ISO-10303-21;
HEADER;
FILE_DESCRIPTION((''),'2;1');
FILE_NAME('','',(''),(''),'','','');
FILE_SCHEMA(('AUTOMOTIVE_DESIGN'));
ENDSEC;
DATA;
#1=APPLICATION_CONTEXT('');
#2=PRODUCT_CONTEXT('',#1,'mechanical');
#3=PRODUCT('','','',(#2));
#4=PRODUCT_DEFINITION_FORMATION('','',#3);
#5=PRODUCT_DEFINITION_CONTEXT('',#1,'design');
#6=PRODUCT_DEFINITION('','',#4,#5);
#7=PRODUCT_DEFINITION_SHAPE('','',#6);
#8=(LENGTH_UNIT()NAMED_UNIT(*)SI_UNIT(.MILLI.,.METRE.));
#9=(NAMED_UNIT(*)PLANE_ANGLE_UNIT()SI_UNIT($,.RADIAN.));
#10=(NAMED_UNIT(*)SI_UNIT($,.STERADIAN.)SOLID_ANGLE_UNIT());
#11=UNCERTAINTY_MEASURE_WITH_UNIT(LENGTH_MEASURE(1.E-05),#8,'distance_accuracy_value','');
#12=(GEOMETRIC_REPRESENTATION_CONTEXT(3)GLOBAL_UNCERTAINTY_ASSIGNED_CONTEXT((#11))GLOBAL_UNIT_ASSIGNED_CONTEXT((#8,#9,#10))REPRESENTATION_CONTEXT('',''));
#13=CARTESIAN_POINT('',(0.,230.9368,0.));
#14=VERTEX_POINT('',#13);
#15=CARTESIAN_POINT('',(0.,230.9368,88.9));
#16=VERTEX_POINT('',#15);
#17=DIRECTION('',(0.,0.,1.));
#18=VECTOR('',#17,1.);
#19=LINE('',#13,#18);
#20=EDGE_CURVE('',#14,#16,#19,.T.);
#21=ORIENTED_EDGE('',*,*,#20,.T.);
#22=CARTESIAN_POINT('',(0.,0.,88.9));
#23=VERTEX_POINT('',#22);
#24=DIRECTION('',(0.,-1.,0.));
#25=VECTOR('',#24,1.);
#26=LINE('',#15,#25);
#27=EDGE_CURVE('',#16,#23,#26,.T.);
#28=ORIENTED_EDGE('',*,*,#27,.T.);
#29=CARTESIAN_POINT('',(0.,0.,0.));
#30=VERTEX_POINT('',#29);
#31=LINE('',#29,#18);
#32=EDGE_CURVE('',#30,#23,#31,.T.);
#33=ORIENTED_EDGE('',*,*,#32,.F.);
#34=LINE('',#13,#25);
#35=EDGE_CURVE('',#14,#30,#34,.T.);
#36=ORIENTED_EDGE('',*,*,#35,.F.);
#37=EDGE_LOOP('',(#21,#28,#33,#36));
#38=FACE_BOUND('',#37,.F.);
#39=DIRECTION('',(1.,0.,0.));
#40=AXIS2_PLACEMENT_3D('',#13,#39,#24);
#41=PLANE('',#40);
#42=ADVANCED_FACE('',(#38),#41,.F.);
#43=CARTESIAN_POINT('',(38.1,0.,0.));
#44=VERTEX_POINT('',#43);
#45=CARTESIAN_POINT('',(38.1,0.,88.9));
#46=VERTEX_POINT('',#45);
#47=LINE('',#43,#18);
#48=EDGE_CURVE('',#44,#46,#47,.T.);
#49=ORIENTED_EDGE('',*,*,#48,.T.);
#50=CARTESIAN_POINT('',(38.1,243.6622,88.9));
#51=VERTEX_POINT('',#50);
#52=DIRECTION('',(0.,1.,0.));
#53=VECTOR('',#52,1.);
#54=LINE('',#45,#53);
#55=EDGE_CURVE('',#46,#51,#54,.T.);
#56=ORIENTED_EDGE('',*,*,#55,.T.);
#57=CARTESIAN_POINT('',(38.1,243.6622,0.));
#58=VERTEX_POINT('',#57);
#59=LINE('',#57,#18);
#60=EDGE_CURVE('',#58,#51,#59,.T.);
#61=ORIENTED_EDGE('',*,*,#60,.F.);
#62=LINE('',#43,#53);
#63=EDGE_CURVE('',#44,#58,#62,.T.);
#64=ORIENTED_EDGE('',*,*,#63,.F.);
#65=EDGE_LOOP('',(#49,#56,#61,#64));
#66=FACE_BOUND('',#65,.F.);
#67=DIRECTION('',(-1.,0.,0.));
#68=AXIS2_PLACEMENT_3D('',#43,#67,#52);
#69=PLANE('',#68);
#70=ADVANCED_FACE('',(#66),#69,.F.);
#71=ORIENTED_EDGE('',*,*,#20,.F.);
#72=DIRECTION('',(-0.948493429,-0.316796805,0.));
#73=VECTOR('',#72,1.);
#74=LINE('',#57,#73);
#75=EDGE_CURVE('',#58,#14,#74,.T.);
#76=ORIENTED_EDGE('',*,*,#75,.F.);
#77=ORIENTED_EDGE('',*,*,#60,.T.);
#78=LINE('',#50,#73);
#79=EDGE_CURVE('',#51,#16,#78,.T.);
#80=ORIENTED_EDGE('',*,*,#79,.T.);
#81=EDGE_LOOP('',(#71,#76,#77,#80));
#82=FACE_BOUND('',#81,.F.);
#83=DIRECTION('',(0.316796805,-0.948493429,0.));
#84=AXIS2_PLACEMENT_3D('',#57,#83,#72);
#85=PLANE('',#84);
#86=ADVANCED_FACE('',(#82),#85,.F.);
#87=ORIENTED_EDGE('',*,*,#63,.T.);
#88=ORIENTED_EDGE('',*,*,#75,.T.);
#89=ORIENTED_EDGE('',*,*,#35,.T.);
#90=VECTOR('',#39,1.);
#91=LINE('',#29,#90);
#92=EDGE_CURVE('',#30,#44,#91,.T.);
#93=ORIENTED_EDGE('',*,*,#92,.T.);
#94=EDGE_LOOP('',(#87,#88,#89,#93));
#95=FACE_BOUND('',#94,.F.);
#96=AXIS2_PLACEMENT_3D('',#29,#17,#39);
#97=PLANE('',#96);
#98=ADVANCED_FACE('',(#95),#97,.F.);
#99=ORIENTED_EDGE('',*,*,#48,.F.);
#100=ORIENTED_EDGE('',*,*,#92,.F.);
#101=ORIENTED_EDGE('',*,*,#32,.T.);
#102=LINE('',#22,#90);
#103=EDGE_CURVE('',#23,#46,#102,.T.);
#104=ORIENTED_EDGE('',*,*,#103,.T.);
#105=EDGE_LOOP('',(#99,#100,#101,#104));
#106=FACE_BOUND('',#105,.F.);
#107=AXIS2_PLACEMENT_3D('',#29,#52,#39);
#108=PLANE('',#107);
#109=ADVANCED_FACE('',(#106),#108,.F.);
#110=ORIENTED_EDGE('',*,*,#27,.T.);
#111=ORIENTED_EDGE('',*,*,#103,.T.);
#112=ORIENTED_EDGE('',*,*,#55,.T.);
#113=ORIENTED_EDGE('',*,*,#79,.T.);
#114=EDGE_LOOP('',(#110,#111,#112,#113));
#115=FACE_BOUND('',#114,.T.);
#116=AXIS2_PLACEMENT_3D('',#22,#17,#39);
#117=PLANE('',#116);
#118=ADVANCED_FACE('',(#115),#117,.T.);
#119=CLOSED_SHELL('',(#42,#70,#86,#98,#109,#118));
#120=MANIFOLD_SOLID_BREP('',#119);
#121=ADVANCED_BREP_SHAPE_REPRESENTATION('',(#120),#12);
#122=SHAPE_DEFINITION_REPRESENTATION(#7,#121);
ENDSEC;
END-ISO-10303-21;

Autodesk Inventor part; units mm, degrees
ref_plane "YZ Plane" through (0, 0, 0) normal (1, 0, 0) x (0, 1, 0)
ref_plane "XZ Plane" through (0, 0, 0) normal (0, 1, 0) x (-1, 0, 0)
ref_plane "XY Plane" through (0, 0, 0) normal (0, 0, 1) x (1, 0, 0)
sketch "Sketch1" plane through (0, 0, 0) normal (0, 0, 1) x (1, 0, 0)
  line L0 (0, 0) -> (38.1, 0)
  line L1 (38.1, 0) -> (38.1, 243.6622)
  line L2 (38.1, 243.6622) -> (0, 230.9368)
  line L3 (0, 230.9368) -> (0, 0)
  dimension "d2" = 38.1
  dimension "d5" = 230.9368
  dimension "d6" = 243.6622
extrude "Extrusion1" add sketch "Sketch1" along normal blind 88.9
properties part number "Stud_Between_Top_Plate_And_Rafter_2" material "Wood (Birch)"
